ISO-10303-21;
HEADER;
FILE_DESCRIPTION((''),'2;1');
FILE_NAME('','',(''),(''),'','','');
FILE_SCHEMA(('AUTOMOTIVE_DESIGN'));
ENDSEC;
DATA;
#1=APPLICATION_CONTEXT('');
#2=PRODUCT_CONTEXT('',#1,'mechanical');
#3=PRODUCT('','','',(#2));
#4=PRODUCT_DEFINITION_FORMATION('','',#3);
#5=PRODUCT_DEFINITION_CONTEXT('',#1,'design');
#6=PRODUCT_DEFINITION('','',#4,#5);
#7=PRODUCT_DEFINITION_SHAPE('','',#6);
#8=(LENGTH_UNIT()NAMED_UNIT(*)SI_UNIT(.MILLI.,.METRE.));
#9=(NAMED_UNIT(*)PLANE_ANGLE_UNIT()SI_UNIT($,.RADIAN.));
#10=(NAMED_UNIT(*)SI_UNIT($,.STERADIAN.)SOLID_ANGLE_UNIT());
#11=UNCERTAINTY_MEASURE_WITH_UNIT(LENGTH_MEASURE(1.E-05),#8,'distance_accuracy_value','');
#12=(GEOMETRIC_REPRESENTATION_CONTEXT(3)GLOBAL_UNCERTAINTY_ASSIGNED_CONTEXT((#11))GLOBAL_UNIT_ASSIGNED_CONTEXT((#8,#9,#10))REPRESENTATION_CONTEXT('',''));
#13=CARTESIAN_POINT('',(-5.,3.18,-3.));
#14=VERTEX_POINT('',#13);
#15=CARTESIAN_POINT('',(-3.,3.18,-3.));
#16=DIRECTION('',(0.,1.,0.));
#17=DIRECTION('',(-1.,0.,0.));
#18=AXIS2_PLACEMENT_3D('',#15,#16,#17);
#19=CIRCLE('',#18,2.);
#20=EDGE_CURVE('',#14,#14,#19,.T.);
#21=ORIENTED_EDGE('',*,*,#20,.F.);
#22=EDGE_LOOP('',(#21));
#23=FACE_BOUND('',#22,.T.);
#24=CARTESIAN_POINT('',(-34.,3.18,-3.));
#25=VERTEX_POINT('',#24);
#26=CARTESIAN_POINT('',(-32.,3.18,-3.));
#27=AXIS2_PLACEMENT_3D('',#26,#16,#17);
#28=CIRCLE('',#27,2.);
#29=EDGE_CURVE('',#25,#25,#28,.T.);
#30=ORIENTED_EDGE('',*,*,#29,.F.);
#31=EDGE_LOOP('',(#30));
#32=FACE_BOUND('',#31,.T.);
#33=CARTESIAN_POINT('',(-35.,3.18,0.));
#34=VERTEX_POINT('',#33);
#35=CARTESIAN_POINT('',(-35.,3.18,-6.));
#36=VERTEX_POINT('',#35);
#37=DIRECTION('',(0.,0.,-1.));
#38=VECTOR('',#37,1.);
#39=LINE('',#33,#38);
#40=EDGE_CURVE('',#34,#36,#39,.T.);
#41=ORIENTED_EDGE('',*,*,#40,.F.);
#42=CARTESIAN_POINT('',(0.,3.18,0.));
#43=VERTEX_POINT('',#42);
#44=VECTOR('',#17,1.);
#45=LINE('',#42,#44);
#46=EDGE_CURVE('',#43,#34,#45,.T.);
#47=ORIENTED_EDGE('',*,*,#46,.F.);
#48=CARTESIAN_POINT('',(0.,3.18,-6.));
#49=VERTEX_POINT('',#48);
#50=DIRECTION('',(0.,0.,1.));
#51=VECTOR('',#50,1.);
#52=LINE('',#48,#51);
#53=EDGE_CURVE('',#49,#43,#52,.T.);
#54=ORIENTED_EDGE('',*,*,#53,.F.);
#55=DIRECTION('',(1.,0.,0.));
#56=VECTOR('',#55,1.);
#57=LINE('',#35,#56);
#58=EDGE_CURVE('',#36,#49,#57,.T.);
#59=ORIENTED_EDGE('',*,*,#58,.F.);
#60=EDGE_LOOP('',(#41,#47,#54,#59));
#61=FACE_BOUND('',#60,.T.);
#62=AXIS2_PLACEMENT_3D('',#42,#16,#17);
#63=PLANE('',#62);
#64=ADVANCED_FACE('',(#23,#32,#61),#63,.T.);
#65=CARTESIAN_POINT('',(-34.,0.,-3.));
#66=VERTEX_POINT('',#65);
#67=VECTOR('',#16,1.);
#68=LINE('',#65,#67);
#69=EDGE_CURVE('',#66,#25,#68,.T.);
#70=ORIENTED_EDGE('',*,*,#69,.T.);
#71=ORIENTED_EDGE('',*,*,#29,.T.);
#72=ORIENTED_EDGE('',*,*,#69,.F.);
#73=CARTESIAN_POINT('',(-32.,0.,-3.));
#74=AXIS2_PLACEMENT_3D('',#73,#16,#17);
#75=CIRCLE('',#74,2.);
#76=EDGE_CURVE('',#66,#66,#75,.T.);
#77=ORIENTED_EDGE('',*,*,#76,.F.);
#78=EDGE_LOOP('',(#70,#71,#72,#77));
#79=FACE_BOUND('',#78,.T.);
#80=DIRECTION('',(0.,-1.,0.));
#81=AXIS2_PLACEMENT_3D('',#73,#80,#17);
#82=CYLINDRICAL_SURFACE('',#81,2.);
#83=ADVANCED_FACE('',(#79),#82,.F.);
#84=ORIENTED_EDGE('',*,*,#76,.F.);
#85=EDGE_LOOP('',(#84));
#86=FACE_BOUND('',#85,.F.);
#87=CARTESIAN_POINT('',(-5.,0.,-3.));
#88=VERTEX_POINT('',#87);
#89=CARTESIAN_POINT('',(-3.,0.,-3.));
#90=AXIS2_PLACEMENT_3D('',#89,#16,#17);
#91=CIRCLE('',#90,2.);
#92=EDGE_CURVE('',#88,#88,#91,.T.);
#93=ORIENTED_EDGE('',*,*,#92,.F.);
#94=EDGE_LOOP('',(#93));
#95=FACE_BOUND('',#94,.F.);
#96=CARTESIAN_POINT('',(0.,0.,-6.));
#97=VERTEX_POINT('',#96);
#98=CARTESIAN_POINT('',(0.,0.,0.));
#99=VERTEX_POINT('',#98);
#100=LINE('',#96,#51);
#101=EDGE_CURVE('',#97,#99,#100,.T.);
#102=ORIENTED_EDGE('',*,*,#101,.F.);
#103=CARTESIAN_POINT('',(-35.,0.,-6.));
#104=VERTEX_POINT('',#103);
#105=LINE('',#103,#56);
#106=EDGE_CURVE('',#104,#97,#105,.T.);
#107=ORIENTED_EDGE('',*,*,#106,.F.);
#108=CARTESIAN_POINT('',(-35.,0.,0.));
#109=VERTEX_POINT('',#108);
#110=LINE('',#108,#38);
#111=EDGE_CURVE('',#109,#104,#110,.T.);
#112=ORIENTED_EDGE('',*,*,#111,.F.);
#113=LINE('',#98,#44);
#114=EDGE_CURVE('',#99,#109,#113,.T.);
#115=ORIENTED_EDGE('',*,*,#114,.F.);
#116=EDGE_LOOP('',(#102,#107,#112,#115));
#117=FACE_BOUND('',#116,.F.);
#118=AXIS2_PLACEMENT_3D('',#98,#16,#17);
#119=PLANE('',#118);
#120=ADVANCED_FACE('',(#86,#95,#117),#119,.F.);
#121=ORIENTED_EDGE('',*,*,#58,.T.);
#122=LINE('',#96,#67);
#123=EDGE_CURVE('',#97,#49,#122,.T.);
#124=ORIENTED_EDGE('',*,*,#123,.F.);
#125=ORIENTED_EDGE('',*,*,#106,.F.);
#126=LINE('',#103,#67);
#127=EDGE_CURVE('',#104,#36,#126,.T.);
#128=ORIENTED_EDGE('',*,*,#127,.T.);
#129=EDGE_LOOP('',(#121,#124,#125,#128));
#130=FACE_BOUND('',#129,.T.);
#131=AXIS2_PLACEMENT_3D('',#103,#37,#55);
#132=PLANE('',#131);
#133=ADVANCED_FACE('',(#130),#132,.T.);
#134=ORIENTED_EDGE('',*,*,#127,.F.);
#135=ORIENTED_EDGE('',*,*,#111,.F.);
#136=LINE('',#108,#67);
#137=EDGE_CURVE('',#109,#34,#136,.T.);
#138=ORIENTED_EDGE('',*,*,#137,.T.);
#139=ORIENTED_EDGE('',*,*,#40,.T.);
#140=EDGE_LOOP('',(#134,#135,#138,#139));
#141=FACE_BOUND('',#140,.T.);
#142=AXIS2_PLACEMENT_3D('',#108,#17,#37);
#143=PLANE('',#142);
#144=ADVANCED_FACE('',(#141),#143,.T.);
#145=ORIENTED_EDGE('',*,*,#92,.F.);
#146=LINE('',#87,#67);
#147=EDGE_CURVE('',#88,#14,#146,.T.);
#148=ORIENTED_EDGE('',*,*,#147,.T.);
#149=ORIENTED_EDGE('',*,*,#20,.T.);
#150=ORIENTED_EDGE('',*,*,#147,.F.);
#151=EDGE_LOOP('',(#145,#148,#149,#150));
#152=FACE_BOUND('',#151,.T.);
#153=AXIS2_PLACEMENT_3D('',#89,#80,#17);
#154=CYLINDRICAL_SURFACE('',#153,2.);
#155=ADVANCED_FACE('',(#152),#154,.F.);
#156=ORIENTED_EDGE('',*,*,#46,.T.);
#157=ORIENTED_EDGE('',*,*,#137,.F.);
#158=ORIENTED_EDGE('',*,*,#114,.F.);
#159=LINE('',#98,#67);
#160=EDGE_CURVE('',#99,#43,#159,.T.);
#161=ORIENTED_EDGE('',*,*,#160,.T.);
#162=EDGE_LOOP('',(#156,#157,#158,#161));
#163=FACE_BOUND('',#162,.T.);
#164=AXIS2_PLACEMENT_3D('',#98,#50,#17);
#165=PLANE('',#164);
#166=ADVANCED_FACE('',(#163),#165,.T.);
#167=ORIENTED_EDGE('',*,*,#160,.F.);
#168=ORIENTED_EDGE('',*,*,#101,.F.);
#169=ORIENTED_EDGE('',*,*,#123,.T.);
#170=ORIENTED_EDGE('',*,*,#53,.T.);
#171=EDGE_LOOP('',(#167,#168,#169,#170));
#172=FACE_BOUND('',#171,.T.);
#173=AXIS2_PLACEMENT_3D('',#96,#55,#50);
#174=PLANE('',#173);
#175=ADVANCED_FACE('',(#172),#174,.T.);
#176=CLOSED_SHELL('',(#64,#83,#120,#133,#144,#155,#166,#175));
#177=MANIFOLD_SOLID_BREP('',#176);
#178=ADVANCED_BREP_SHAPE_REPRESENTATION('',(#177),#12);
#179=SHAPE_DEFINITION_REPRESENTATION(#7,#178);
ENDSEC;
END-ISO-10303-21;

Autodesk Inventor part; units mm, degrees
ref_plane "YZ Plane" through (0, 0, 0) normal (1, 0, 0) x (0, 1, 0)
ref_plane "XZ Plane" through (0, 0, 0) normal (0, 1, 0) x (-1, 0, 0)
ref_plane "XY Plane" through (0, 0, 0) normal (0, 0, 1) x (1, 0, 0)
sketch "Sketch1" plane through (0, 0, 0) normal (0, 1, 0) x (-1, 0, 0)
  line L0 (0, 0) -> (35, 0)
  line L1 (35, 0) -> (35, -6)
  line L2 (35, -6) -> (0, -6)
  line L3 (0, -6) -> (0, 0)
  circle A0 centre (32, -3) radius 2
  circle A1 centre (3, -3) radius 2
  dimension "d0" = 35
  dimension "d1" = 6
  dimension "d2" = 4
  dimension "d3" = 4
  dimension "d4" = 3
  dimension "d5" = 3
  dimension "d6" = 3
  dimension "d7" = 3
extrude "Extrusion1" add sketch "Sketch1" along normal blind 3.18
properties part number "Pinza_acople"
